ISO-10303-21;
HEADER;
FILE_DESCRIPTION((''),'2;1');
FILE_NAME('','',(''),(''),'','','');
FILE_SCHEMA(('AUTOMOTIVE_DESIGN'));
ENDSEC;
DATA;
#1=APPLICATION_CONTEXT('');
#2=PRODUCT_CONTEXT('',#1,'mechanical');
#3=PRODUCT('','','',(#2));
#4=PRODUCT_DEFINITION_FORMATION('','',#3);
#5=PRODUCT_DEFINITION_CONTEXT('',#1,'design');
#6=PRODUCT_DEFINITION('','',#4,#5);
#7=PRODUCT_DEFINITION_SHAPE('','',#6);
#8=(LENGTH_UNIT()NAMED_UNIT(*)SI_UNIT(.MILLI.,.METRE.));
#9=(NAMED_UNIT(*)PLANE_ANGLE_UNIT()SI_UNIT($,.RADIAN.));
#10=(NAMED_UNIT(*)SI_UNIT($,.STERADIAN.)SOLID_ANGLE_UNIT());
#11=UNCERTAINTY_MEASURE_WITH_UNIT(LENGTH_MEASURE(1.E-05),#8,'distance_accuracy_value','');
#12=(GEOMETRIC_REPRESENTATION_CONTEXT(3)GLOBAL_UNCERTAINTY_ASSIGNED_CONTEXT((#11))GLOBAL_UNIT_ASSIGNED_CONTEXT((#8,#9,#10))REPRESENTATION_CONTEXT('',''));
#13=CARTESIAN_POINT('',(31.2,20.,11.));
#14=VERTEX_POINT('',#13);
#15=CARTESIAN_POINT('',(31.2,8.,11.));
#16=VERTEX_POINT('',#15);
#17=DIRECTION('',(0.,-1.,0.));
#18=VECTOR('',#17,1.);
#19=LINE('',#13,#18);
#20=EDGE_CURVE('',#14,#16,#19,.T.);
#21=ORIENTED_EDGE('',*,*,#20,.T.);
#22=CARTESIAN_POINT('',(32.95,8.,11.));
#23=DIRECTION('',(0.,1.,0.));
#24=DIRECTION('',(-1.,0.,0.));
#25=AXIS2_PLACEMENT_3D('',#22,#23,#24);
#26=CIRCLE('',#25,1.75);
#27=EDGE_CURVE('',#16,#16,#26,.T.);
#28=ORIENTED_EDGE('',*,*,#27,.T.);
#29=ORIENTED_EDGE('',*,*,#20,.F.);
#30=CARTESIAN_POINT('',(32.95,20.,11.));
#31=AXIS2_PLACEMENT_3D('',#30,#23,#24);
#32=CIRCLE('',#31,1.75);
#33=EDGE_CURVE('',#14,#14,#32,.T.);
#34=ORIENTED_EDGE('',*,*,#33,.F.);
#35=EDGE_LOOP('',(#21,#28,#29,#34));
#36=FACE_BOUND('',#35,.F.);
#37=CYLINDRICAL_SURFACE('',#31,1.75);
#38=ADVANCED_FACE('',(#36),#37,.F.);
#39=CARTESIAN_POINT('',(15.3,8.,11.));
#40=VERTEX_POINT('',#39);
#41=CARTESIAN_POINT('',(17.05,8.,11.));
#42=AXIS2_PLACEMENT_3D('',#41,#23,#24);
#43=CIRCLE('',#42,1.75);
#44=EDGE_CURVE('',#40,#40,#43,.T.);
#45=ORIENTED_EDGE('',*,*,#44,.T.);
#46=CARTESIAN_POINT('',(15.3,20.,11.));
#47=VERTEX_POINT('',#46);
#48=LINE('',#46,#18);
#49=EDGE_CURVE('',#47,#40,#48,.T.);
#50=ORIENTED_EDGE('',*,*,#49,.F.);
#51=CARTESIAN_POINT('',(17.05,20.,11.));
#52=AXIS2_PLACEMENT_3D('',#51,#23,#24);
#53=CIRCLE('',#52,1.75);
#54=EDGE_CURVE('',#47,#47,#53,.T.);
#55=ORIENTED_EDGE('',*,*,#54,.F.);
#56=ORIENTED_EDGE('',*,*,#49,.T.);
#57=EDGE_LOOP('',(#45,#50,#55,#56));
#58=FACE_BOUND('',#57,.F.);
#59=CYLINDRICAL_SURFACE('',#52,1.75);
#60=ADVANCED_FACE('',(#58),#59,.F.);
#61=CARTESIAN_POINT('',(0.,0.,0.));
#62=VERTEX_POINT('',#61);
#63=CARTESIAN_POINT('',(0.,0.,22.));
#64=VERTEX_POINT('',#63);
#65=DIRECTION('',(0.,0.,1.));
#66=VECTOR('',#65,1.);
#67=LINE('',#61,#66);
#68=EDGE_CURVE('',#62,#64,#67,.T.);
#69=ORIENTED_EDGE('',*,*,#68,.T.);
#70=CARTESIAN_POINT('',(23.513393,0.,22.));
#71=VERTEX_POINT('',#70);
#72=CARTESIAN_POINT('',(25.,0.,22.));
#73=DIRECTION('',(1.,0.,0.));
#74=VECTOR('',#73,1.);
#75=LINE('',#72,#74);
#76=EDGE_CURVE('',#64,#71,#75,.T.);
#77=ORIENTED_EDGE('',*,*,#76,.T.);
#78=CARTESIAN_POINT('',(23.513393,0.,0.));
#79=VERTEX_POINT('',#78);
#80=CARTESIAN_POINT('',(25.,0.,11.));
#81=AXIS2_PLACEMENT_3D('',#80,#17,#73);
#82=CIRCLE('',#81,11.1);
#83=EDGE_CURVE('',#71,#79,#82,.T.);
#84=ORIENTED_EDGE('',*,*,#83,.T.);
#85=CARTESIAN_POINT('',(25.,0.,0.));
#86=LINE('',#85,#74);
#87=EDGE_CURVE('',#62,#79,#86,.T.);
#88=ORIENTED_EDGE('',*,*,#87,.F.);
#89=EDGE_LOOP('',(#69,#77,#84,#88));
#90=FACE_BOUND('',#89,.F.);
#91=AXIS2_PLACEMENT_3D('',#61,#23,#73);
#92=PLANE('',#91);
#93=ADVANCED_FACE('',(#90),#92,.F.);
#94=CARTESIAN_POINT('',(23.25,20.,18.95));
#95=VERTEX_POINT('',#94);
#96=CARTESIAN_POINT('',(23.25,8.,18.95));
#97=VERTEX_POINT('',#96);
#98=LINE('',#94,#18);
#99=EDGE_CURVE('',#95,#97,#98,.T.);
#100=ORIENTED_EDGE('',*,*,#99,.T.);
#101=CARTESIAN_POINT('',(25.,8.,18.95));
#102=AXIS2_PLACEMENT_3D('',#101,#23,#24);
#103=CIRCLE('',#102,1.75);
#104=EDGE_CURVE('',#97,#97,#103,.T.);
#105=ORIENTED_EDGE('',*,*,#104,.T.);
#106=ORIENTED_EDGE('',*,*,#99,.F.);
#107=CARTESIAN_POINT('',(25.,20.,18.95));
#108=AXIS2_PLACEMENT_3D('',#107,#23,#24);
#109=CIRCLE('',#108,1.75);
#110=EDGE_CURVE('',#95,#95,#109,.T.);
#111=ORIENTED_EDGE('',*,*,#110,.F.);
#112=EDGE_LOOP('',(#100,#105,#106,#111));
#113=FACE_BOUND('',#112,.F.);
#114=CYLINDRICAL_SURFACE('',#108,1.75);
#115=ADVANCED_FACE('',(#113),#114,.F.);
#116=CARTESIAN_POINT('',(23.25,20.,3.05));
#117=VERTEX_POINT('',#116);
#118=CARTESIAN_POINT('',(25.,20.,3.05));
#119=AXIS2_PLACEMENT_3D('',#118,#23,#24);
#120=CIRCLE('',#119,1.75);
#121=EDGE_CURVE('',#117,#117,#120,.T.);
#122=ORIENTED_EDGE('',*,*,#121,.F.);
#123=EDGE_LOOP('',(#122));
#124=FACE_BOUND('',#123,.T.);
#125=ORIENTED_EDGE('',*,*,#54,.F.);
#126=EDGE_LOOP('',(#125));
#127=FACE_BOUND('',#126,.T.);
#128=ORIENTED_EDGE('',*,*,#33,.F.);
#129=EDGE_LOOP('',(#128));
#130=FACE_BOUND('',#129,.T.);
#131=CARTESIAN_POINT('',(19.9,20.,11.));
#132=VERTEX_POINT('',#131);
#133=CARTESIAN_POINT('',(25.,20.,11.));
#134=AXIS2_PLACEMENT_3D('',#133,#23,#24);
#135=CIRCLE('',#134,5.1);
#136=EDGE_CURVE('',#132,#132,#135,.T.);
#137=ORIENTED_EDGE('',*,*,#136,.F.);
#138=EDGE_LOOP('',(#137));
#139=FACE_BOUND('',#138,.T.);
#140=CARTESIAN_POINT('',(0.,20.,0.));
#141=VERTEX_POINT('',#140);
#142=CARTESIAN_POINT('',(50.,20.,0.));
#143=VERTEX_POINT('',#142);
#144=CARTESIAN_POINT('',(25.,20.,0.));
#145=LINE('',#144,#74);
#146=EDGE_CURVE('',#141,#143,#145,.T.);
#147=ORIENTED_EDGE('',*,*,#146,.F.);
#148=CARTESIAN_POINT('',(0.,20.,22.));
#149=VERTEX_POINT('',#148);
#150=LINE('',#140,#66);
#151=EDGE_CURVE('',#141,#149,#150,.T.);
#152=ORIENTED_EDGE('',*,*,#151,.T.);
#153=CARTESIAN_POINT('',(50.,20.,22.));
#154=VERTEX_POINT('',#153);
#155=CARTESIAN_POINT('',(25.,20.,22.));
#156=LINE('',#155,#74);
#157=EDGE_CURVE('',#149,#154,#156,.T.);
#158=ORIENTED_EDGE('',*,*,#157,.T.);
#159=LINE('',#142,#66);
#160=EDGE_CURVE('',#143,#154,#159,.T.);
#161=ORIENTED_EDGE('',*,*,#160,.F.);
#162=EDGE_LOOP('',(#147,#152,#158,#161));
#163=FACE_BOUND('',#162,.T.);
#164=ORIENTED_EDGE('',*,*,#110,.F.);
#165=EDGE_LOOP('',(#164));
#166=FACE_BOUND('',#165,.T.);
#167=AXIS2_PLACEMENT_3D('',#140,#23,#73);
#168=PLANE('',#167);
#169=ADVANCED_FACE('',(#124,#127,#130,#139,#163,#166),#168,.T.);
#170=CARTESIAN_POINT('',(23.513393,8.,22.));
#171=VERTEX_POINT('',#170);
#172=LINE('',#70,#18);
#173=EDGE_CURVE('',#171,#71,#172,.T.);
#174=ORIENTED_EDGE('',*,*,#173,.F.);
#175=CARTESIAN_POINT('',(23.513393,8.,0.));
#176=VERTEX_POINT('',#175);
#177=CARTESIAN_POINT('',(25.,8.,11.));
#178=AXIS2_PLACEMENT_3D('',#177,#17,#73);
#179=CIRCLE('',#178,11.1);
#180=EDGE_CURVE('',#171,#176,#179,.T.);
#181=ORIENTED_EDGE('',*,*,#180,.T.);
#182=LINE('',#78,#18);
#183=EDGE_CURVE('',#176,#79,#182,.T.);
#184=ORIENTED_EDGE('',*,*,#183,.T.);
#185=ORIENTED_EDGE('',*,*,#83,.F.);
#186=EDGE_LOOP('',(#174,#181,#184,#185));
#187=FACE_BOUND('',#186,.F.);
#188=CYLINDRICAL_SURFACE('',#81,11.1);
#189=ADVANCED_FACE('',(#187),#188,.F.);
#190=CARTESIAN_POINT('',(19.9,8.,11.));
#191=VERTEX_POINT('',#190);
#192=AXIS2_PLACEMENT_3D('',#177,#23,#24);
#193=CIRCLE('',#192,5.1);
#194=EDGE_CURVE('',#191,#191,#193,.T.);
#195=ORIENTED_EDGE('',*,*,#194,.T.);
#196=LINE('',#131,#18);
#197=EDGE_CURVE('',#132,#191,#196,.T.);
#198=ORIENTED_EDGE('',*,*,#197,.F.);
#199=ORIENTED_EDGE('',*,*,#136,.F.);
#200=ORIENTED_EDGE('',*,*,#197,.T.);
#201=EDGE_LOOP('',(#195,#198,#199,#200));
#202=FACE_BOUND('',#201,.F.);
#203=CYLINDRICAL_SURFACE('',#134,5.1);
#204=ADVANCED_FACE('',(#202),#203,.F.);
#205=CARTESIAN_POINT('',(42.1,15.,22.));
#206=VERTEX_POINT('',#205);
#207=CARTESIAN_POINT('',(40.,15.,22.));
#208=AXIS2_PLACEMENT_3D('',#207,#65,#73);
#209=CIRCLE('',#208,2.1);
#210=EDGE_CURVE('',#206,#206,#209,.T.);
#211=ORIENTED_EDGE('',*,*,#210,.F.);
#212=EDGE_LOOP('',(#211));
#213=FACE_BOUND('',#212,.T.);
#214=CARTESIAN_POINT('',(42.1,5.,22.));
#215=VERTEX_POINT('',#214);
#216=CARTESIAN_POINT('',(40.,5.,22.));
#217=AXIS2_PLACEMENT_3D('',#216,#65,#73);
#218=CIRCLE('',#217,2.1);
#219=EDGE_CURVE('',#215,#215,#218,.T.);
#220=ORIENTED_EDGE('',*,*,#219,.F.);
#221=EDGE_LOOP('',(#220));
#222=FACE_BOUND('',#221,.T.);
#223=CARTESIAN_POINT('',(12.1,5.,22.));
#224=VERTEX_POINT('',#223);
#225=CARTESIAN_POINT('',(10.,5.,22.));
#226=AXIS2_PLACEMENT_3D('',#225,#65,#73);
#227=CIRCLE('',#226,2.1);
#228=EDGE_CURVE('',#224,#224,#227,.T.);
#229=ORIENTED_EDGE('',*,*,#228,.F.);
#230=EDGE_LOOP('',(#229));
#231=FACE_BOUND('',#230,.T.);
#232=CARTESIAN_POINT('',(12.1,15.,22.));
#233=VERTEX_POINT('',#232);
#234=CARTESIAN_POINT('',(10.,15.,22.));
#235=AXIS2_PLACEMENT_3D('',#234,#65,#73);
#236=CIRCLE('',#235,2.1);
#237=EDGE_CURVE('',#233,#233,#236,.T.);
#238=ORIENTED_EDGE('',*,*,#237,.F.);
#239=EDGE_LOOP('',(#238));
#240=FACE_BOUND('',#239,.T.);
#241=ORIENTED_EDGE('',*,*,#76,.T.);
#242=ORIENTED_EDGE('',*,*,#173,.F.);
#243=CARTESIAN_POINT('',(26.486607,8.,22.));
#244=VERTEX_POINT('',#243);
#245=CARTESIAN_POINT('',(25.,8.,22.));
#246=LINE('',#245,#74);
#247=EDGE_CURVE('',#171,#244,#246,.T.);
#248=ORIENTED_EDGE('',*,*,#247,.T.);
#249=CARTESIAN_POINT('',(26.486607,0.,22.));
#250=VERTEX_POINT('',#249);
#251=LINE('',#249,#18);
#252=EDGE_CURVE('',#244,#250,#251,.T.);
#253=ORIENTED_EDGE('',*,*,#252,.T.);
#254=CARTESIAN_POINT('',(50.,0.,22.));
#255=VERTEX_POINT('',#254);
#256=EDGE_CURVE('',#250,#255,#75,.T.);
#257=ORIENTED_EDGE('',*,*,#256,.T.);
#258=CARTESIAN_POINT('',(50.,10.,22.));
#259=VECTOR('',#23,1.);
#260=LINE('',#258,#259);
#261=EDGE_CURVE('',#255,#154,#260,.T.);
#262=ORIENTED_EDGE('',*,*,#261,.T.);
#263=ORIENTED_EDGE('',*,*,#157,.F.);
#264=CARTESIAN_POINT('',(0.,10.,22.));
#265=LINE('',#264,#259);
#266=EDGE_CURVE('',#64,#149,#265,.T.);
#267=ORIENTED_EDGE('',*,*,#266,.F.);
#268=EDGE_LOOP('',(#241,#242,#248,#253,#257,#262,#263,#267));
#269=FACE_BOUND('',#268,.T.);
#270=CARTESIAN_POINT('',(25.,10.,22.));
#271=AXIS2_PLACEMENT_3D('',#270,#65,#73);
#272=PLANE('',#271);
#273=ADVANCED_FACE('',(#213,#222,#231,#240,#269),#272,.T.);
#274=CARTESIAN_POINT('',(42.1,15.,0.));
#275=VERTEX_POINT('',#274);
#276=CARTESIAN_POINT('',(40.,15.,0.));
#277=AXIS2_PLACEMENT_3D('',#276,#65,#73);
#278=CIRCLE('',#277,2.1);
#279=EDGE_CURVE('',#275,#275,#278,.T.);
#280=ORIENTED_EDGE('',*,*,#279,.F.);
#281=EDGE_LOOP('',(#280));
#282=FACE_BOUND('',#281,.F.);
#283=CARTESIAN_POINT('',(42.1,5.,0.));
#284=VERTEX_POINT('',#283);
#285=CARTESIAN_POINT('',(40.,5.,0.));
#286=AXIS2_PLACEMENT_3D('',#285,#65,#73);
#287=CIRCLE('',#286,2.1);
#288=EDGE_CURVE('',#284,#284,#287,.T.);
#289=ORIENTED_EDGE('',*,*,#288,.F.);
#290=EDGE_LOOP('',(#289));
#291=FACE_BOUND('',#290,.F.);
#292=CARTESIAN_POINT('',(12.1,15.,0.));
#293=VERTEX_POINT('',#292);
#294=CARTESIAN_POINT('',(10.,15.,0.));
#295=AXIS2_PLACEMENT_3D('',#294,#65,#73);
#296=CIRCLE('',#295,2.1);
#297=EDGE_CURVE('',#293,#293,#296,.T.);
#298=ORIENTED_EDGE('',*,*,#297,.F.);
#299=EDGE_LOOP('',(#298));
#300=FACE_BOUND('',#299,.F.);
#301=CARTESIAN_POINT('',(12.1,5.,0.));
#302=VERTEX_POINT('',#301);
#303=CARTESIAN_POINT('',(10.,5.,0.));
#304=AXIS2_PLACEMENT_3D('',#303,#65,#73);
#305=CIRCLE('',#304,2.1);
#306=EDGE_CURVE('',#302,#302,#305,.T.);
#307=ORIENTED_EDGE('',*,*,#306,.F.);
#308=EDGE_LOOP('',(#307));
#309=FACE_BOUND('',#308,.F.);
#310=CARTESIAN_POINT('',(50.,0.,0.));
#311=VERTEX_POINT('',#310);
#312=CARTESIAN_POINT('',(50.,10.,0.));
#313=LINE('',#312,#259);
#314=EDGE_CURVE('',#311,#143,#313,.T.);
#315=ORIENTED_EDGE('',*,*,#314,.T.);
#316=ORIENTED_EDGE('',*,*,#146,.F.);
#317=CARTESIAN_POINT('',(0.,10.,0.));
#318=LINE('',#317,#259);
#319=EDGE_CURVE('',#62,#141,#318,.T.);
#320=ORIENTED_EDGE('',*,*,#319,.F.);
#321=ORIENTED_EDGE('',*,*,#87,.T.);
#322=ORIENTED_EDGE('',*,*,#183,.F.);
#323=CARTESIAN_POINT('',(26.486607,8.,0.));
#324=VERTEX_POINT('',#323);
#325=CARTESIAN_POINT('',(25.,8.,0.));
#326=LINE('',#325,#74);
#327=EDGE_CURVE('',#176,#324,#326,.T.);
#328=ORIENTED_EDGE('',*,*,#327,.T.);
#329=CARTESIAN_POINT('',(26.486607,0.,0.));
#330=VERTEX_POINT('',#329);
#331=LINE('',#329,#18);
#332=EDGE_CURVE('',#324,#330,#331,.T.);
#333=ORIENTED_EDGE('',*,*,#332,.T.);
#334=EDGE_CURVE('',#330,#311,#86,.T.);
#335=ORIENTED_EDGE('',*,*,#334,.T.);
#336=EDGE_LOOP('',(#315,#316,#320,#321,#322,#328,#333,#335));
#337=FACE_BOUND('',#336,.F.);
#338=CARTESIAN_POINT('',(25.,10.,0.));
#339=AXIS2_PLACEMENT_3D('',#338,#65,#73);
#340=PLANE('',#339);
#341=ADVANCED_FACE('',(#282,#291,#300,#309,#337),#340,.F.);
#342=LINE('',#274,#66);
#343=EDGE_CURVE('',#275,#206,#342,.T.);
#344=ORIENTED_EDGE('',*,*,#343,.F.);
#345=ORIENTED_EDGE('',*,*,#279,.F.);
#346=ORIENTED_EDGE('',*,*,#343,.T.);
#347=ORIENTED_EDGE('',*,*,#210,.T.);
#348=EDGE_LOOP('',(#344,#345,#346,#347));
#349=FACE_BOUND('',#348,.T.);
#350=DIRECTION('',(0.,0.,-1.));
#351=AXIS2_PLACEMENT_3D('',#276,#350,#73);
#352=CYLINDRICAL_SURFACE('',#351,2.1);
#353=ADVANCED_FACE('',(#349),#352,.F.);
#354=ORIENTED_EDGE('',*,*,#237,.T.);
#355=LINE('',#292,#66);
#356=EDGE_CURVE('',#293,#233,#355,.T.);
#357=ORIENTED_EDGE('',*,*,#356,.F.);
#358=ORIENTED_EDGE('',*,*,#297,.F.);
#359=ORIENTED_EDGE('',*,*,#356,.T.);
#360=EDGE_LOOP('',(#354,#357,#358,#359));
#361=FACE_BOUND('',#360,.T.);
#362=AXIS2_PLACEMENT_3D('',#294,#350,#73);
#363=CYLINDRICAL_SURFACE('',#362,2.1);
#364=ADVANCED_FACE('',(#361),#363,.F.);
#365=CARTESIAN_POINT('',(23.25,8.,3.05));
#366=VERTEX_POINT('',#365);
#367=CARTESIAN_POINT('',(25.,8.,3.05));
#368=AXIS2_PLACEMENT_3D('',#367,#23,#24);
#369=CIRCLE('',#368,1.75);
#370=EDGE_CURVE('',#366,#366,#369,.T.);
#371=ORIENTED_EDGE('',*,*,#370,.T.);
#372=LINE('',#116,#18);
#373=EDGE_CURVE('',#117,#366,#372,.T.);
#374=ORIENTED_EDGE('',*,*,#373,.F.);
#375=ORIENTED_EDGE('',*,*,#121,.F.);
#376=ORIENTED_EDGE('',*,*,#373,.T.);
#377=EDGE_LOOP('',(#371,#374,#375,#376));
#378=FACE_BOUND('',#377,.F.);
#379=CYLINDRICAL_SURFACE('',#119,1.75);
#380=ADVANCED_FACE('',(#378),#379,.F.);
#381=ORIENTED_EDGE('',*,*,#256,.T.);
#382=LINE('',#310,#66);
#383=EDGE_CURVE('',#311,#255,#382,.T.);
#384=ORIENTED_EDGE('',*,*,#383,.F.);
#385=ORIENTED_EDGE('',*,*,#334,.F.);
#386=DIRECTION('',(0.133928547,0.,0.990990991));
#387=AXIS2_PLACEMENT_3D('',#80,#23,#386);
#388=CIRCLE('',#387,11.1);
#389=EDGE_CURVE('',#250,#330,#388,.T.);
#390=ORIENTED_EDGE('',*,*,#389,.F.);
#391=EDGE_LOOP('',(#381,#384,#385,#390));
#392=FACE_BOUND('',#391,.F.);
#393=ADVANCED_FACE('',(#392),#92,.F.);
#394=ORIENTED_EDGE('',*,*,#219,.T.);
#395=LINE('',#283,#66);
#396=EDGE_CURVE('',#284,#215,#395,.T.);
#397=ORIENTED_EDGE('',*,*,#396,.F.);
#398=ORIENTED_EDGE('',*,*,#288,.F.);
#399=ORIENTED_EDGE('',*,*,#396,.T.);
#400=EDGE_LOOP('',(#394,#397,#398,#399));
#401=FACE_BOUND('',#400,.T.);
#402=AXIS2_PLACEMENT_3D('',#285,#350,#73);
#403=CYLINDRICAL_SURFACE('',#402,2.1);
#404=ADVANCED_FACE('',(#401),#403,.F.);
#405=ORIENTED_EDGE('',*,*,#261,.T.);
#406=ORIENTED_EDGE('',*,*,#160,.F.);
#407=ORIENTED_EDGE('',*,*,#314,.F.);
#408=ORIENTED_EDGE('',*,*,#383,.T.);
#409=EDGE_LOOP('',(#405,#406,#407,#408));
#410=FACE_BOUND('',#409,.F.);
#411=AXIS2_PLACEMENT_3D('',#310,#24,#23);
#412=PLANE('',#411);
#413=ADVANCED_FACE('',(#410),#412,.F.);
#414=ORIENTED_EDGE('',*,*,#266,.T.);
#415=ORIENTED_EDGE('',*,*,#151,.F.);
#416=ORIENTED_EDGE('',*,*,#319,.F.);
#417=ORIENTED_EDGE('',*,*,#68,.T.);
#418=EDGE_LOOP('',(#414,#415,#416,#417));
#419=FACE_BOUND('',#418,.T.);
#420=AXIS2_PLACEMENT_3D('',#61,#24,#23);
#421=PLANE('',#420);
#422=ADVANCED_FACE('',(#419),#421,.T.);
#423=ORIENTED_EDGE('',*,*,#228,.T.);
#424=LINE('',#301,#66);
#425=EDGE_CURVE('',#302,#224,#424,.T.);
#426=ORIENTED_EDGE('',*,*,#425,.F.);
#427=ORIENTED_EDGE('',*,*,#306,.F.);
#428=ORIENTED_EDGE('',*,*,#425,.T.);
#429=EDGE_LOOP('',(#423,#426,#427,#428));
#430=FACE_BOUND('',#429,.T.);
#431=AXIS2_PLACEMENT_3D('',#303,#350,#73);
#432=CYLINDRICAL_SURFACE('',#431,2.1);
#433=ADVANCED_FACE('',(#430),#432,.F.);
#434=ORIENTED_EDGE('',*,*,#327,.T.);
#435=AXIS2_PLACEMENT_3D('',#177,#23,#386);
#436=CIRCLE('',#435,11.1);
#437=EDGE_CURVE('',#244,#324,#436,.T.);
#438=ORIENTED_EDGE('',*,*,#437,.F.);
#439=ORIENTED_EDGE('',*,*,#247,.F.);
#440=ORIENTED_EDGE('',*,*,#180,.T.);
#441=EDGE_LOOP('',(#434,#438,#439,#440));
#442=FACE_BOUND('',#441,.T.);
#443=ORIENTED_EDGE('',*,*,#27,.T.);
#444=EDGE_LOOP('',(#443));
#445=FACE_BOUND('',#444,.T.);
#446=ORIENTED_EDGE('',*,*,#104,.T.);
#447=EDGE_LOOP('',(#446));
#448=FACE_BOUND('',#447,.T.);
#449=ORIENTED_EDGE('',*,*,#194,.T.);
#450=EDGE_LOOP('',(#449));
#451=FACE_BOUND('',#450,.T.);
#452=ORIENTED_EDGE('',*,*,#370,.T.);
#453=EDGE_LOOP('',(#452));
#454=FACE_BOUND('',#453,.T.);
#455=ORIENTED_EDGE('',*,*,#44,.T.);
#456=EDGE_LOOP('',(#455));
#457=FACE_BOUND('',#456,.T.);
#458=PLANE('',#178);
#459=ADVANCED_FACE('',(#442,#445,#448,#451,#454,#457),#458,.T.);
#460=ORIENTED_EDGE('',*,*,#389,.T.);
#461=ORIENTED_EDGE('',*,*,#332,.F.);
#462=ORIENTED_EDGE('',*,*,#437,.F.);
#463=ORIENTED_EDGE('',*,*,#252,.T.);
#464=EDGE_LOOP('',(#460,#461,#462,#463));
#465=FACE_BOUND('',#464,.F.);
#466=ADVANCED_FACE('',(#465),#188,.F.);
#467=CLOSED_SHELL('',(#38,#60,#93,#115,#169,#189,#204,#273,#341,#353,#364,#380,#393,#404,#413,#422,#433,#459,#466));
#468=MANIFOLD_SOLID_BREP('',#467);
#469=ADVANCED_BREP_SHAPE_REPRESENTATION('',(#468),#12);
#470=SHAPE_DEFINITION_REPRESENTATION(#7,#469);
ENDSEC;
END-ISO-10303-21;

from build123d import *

# Parameters (mm, degrees)
SKETCH_W        = 50
SKETCH_H        = 20
SKETCH_R        = 2.1
PAD_DEPTH       = 22
SKETCH001_R     = 11.1
POCKET_DEPTH    = 8
SKETCH002_R     = 5.1
SKETCH002_R_2   = 1.75
POCKET001_DEPTH = 20


with BuildPart() as part:
    # Sketch → Pad (new body)
    with BuildSketch(Plane.XY):
        with Locations((25, 10)):
            Rectangle(SKETCH_W, SKETCH_H)
        with Locations((10, 15)):
            Circle(SKETCH_R, mode=Mode.SUBTRACT)
        with Locations((10, 5)):
            Circle(SKETCH_R, mode=Mode.SUBTRACT)
        with Locations((40, 15)):
            Circle(SKETCH_R, mode=Mode.SUBTRACT)
        with Locations((40, 5)):
            Circle(SKETCH_R, mode=Mode.SUBTRACT)
    extrude(amount=PAD_DEPTH)

    # Sketch001 (on Face3 of Pad) → Pocket (cut)
    with BuildSketch(Plane.XZ):
        with Locations((25, 11)):
            Circle(SKETCH001_R)
    extrude(amount=-POCKET_DEPTH, mode=Mode.SUBTRACT)

    # Sketch002 (on Face1 of Pocket) → Pocket001 (cut)
    with BuildSketch(Plane(origin=(0, 20, 0), x_dir=(-1, 0, 0), z_dir=(0, 1, 0))):
        with Locations((-25, 11)):
            Circle(SKETCH002_R)
        with Locations((-25, 18.95)):
            Circle(SKETCH002_R_2)
        with Locations((-25, 3.05)):
            Circle(SKETCH002_R_2)
        with Locations((-32.95, 11)):
            Circle(SKETCH002_R_2)
        with Locations((-17.05, 11)):
            Circle(SKETCH002_R_2)
    extrude(amount=-POCKET001_DEPTH, mode=Mode.SUBTRACT)


solid = part.part
